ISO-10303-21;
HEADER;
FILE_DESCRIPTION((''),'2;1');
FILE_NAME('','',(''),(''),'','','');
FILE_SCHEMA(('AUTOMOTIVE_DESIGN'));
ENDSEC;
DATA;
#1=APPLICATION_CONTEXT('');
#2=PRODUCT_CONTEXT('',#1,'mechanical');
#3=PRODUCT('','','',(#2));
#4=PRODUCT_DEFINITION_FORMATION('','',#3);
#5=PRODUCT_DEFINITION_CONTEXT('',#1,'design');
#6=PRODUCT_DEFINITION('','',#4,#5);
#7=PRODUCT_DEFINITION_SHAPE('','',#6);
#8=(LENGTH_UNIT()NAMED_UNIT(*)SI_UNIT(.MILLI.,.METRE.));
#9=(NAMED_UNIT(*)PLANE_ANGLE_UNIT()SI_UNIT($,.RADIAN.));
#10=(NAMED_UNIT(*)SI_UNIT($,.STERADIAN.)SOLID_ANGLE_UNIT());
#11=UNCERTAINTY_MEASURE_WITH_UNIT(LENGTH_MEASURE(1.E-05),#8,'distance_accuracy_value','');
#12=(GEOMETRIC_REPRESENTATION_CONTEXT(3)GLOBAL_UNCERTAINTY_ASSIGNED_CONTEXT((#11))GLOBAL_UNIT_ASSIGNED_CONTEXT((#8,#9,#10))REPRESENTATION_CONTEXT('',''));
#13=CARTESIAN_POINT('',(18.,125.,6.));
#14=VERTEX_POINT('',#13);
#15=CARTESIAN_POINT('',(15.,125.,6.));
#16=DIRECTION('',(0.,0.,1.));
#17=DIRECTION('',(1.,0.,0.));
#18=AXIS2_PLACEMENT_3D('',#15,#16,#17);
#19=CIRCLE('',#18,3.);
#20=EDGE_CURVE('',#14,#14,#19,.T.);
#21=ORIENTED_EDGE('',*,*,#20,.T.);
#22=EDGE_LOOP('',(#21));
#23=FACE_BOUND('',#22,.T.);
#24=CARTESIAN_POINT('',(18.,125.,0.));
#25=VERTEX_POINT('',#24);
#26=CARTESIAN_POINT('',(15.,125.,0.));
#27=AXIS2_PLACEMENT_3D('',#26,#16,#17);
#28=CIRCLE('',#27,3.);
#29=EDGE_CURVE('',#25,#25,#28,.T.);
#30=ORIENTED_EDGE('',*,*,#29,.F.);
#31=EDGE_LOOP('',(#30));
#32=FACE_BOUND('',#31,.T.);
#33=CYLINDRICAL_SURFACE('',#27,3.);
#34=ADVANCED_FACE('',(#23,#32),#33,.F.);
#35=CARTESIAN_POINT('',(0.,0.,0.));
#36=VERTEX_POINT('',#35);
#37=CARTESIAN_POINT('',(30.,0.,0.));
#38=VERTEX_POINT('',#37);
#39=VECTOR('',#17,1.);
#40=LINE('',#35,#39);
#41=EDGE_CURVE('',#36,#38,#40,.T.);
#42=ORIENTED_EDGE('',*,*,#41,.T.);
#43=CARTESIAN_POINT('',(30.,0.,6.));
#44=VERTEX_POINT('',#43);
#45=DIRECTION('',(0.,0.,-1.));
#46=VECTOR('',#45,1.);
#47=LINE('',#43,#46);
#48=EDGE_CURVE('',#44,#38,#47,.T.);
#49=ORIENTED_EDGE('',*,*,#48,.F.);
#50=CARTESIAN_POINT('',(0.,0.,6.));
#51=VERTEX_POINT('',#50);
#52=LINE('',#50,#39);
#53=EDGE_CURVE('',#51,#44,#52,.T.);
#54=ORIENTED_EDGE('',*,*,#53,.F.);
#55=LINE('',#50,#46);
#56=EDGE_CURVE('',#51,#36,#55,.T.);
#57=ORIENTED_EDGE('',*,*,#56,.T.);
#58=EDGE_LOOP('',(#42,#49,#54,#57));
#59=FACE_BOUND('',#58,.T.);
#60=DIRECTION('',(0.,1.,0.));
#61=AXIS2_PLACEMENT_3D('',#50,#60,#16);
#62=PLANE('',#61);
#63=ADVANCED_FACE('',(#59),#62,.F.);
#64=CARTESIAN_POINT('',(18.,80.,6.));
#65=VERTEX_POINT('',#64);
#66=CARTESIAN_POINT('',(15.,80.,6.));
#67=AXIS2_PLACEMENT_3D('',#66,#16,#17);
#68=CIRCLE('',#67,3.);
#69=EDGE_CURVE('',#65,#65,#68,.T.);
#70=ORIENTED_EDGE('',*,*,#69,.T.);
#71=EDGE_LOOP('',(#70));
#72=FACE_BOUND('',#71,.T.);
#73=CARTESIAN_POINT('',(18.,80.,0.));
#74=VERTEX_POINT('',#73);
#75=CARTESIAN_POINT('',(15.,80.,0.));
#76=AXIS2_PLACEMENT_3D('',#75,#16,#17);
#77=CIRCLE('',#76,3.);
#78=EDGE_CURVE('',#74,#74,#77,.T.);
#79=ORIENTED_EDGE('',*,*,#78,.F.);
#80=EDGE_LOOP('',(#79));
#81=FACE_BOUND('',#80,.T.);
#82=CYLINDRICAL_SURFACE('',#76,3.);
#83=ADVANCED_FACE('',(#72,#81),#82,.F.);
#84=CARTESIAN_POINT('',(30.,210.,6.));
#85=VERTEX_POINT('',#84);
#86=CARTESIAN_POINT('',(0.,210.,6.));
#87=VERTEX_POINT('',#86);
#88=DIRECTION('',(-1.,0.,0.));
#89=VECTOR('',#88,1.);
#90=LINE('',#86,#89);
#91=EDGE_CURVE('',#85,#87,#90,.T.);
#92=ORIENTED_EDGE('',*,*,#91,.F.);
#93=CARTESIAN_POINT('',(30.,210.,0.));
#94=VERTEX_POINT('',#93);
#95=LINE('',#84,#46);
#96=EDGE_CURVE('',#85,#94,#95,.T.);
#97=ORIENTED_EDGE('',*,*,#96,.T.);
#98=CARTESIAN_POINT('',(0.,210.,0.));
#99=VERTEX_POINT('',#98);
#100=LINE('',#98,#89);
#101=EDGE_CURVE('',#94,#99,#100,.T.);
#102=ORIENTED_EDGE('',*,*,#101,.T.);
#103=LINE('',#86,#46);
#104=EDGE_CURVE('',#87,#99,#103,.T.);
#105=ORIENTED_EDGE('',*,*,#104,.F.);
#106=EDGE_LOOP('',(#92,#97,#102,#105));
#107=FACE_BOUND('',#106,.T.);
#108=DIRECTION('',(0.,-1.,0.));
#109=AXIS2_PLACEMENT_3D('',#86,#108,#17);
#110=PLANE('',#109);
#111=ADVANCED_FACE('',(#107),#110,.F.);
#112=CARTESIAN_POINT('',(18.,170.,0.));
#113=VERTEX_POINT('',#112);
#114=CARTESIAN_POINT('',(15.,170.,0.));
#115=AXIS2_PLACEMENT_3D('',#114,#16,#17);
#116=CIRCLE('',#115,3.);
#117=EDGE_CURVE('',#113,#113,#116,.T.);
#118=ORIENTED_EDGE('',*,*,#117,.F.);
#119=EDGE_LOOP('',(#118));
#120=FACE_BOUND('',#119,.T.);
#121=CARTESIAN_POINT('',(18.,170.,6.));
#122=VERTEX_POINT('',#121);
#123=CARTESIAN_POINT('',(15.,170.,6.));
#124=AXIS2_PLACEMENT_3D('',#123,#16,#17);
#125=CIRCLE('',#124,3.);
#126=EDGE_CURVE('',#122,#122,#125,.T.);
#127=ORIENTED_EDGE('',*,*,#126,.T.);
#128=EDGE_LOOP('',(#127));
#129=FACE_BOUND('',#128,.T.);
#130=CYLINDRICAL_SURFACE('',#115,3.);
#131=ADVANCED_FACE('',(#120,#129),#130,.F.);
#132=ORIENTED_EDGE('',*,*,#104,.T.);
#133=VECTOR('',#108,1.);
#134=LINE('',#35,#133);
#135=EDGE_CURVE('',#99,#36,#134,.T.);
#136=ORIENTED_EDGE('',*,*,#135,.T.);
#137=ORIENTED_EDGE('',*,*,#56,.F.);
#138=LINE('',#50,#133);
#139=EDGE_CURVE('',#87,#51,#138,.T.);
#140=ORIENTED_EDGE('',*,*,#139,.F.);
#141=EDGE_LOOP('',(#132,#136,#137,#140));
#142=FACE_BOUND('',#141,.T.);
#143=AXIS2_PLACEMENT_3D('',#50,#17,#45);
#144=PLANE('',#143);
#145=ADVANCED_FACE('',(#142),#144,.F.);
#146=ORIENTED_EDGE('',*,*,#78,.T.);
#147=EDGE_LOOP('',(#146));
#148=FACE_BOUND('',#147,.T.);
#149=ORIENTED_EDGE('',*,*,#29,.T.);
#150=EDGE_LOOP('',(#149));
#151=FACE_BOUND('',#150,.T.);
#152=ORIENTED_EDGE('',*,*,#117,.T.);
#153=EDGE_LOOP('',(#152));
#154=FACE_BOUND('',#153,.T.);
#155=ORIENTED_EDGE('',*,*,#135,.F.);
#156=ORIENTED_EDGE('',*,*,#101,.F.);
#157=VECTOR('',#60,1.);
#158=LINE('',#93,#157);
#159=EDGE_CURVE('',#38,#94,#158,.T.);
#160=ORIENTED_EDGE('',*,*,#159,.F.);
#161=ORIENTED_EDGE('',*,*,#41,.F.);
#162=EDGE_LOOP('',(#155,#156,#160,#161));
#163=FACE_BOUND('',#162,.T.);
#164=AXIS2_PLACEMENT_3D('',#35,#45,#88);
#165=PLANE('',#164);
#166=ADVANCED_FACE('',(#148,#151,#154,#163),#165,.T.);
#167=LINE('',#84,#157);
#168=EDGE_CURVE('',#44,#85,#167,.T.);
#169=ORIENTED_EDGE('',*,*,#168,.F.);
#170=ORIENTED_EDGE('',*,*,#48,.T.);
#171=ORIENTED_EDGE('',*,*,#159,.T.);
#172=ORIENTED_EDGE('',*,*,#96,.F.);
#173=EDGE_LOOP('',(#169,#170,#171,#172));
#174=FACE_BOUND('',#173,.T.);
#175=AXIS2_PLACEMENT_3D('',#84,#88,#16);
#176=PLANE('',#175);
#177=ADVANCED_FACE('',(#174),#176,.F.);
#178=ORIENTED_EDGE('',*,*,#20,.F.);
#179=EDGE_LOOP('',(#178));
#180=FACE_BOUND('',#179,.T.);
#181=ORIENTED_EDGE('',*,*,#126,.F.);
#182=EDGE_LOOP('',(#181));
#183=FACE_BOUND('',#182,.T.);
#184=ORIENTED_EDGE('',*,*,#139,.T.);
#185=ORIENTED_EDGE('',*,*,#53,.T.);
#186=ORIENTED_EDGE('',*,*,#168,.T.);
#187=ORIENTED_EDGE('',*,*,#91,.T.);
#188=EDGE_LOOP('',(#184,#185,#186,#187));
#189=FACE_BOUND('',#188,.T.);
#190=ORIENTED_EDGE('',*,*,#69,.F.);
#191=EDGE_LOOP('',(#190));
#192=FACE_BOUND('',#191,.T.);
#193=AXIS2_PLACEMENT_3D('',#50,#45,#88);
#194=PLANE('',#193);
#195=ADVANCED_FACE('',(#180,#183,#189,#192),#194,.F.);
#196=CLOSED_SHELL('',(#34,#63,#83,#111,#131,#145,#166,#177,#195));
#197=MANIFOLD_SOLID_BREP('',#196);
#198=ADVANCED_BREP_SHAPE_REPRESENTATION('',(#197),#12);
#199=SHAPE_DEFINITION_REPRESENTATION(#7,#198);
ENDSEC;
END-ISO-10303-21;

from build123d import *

# Parameters (mm, degrees)
SKETCH1_W           = 30
SKETCH1_H           = 210
BOSS_EXTRUDE1_DEPTH = 6
SKETCH2_R           = 3
CUT_EXTRUDE1_DEPTH  = 6


with BuildPart() as part:
    # Sketch1 → Boss-Extrude1 (new body)
    with BuildSketch(Plane.XY):
        with Locations((15, 105)):
            Rectangle(SKETCH1_W, SKETCH1_H)
    extrude(amount=BOSS_EXTRUDE1_DEPTH)

    # Sketch2 → Cut-Extrude1 (cut)
    with BuildSketch(Plane.XY.offset(6)):
        with Locations((15, 170)):
            Circle(SKETCH2_R)
        with Locations((15, 125)):
            Circle(SKETCH2_R)
        with Locations((15, 80)):
            Circle(SKETCH2_R)
    extrude(amount=-CUT_EXTRUDE1_DEPTH, mode=Mode.SUBTRACT)


solid = part.part
